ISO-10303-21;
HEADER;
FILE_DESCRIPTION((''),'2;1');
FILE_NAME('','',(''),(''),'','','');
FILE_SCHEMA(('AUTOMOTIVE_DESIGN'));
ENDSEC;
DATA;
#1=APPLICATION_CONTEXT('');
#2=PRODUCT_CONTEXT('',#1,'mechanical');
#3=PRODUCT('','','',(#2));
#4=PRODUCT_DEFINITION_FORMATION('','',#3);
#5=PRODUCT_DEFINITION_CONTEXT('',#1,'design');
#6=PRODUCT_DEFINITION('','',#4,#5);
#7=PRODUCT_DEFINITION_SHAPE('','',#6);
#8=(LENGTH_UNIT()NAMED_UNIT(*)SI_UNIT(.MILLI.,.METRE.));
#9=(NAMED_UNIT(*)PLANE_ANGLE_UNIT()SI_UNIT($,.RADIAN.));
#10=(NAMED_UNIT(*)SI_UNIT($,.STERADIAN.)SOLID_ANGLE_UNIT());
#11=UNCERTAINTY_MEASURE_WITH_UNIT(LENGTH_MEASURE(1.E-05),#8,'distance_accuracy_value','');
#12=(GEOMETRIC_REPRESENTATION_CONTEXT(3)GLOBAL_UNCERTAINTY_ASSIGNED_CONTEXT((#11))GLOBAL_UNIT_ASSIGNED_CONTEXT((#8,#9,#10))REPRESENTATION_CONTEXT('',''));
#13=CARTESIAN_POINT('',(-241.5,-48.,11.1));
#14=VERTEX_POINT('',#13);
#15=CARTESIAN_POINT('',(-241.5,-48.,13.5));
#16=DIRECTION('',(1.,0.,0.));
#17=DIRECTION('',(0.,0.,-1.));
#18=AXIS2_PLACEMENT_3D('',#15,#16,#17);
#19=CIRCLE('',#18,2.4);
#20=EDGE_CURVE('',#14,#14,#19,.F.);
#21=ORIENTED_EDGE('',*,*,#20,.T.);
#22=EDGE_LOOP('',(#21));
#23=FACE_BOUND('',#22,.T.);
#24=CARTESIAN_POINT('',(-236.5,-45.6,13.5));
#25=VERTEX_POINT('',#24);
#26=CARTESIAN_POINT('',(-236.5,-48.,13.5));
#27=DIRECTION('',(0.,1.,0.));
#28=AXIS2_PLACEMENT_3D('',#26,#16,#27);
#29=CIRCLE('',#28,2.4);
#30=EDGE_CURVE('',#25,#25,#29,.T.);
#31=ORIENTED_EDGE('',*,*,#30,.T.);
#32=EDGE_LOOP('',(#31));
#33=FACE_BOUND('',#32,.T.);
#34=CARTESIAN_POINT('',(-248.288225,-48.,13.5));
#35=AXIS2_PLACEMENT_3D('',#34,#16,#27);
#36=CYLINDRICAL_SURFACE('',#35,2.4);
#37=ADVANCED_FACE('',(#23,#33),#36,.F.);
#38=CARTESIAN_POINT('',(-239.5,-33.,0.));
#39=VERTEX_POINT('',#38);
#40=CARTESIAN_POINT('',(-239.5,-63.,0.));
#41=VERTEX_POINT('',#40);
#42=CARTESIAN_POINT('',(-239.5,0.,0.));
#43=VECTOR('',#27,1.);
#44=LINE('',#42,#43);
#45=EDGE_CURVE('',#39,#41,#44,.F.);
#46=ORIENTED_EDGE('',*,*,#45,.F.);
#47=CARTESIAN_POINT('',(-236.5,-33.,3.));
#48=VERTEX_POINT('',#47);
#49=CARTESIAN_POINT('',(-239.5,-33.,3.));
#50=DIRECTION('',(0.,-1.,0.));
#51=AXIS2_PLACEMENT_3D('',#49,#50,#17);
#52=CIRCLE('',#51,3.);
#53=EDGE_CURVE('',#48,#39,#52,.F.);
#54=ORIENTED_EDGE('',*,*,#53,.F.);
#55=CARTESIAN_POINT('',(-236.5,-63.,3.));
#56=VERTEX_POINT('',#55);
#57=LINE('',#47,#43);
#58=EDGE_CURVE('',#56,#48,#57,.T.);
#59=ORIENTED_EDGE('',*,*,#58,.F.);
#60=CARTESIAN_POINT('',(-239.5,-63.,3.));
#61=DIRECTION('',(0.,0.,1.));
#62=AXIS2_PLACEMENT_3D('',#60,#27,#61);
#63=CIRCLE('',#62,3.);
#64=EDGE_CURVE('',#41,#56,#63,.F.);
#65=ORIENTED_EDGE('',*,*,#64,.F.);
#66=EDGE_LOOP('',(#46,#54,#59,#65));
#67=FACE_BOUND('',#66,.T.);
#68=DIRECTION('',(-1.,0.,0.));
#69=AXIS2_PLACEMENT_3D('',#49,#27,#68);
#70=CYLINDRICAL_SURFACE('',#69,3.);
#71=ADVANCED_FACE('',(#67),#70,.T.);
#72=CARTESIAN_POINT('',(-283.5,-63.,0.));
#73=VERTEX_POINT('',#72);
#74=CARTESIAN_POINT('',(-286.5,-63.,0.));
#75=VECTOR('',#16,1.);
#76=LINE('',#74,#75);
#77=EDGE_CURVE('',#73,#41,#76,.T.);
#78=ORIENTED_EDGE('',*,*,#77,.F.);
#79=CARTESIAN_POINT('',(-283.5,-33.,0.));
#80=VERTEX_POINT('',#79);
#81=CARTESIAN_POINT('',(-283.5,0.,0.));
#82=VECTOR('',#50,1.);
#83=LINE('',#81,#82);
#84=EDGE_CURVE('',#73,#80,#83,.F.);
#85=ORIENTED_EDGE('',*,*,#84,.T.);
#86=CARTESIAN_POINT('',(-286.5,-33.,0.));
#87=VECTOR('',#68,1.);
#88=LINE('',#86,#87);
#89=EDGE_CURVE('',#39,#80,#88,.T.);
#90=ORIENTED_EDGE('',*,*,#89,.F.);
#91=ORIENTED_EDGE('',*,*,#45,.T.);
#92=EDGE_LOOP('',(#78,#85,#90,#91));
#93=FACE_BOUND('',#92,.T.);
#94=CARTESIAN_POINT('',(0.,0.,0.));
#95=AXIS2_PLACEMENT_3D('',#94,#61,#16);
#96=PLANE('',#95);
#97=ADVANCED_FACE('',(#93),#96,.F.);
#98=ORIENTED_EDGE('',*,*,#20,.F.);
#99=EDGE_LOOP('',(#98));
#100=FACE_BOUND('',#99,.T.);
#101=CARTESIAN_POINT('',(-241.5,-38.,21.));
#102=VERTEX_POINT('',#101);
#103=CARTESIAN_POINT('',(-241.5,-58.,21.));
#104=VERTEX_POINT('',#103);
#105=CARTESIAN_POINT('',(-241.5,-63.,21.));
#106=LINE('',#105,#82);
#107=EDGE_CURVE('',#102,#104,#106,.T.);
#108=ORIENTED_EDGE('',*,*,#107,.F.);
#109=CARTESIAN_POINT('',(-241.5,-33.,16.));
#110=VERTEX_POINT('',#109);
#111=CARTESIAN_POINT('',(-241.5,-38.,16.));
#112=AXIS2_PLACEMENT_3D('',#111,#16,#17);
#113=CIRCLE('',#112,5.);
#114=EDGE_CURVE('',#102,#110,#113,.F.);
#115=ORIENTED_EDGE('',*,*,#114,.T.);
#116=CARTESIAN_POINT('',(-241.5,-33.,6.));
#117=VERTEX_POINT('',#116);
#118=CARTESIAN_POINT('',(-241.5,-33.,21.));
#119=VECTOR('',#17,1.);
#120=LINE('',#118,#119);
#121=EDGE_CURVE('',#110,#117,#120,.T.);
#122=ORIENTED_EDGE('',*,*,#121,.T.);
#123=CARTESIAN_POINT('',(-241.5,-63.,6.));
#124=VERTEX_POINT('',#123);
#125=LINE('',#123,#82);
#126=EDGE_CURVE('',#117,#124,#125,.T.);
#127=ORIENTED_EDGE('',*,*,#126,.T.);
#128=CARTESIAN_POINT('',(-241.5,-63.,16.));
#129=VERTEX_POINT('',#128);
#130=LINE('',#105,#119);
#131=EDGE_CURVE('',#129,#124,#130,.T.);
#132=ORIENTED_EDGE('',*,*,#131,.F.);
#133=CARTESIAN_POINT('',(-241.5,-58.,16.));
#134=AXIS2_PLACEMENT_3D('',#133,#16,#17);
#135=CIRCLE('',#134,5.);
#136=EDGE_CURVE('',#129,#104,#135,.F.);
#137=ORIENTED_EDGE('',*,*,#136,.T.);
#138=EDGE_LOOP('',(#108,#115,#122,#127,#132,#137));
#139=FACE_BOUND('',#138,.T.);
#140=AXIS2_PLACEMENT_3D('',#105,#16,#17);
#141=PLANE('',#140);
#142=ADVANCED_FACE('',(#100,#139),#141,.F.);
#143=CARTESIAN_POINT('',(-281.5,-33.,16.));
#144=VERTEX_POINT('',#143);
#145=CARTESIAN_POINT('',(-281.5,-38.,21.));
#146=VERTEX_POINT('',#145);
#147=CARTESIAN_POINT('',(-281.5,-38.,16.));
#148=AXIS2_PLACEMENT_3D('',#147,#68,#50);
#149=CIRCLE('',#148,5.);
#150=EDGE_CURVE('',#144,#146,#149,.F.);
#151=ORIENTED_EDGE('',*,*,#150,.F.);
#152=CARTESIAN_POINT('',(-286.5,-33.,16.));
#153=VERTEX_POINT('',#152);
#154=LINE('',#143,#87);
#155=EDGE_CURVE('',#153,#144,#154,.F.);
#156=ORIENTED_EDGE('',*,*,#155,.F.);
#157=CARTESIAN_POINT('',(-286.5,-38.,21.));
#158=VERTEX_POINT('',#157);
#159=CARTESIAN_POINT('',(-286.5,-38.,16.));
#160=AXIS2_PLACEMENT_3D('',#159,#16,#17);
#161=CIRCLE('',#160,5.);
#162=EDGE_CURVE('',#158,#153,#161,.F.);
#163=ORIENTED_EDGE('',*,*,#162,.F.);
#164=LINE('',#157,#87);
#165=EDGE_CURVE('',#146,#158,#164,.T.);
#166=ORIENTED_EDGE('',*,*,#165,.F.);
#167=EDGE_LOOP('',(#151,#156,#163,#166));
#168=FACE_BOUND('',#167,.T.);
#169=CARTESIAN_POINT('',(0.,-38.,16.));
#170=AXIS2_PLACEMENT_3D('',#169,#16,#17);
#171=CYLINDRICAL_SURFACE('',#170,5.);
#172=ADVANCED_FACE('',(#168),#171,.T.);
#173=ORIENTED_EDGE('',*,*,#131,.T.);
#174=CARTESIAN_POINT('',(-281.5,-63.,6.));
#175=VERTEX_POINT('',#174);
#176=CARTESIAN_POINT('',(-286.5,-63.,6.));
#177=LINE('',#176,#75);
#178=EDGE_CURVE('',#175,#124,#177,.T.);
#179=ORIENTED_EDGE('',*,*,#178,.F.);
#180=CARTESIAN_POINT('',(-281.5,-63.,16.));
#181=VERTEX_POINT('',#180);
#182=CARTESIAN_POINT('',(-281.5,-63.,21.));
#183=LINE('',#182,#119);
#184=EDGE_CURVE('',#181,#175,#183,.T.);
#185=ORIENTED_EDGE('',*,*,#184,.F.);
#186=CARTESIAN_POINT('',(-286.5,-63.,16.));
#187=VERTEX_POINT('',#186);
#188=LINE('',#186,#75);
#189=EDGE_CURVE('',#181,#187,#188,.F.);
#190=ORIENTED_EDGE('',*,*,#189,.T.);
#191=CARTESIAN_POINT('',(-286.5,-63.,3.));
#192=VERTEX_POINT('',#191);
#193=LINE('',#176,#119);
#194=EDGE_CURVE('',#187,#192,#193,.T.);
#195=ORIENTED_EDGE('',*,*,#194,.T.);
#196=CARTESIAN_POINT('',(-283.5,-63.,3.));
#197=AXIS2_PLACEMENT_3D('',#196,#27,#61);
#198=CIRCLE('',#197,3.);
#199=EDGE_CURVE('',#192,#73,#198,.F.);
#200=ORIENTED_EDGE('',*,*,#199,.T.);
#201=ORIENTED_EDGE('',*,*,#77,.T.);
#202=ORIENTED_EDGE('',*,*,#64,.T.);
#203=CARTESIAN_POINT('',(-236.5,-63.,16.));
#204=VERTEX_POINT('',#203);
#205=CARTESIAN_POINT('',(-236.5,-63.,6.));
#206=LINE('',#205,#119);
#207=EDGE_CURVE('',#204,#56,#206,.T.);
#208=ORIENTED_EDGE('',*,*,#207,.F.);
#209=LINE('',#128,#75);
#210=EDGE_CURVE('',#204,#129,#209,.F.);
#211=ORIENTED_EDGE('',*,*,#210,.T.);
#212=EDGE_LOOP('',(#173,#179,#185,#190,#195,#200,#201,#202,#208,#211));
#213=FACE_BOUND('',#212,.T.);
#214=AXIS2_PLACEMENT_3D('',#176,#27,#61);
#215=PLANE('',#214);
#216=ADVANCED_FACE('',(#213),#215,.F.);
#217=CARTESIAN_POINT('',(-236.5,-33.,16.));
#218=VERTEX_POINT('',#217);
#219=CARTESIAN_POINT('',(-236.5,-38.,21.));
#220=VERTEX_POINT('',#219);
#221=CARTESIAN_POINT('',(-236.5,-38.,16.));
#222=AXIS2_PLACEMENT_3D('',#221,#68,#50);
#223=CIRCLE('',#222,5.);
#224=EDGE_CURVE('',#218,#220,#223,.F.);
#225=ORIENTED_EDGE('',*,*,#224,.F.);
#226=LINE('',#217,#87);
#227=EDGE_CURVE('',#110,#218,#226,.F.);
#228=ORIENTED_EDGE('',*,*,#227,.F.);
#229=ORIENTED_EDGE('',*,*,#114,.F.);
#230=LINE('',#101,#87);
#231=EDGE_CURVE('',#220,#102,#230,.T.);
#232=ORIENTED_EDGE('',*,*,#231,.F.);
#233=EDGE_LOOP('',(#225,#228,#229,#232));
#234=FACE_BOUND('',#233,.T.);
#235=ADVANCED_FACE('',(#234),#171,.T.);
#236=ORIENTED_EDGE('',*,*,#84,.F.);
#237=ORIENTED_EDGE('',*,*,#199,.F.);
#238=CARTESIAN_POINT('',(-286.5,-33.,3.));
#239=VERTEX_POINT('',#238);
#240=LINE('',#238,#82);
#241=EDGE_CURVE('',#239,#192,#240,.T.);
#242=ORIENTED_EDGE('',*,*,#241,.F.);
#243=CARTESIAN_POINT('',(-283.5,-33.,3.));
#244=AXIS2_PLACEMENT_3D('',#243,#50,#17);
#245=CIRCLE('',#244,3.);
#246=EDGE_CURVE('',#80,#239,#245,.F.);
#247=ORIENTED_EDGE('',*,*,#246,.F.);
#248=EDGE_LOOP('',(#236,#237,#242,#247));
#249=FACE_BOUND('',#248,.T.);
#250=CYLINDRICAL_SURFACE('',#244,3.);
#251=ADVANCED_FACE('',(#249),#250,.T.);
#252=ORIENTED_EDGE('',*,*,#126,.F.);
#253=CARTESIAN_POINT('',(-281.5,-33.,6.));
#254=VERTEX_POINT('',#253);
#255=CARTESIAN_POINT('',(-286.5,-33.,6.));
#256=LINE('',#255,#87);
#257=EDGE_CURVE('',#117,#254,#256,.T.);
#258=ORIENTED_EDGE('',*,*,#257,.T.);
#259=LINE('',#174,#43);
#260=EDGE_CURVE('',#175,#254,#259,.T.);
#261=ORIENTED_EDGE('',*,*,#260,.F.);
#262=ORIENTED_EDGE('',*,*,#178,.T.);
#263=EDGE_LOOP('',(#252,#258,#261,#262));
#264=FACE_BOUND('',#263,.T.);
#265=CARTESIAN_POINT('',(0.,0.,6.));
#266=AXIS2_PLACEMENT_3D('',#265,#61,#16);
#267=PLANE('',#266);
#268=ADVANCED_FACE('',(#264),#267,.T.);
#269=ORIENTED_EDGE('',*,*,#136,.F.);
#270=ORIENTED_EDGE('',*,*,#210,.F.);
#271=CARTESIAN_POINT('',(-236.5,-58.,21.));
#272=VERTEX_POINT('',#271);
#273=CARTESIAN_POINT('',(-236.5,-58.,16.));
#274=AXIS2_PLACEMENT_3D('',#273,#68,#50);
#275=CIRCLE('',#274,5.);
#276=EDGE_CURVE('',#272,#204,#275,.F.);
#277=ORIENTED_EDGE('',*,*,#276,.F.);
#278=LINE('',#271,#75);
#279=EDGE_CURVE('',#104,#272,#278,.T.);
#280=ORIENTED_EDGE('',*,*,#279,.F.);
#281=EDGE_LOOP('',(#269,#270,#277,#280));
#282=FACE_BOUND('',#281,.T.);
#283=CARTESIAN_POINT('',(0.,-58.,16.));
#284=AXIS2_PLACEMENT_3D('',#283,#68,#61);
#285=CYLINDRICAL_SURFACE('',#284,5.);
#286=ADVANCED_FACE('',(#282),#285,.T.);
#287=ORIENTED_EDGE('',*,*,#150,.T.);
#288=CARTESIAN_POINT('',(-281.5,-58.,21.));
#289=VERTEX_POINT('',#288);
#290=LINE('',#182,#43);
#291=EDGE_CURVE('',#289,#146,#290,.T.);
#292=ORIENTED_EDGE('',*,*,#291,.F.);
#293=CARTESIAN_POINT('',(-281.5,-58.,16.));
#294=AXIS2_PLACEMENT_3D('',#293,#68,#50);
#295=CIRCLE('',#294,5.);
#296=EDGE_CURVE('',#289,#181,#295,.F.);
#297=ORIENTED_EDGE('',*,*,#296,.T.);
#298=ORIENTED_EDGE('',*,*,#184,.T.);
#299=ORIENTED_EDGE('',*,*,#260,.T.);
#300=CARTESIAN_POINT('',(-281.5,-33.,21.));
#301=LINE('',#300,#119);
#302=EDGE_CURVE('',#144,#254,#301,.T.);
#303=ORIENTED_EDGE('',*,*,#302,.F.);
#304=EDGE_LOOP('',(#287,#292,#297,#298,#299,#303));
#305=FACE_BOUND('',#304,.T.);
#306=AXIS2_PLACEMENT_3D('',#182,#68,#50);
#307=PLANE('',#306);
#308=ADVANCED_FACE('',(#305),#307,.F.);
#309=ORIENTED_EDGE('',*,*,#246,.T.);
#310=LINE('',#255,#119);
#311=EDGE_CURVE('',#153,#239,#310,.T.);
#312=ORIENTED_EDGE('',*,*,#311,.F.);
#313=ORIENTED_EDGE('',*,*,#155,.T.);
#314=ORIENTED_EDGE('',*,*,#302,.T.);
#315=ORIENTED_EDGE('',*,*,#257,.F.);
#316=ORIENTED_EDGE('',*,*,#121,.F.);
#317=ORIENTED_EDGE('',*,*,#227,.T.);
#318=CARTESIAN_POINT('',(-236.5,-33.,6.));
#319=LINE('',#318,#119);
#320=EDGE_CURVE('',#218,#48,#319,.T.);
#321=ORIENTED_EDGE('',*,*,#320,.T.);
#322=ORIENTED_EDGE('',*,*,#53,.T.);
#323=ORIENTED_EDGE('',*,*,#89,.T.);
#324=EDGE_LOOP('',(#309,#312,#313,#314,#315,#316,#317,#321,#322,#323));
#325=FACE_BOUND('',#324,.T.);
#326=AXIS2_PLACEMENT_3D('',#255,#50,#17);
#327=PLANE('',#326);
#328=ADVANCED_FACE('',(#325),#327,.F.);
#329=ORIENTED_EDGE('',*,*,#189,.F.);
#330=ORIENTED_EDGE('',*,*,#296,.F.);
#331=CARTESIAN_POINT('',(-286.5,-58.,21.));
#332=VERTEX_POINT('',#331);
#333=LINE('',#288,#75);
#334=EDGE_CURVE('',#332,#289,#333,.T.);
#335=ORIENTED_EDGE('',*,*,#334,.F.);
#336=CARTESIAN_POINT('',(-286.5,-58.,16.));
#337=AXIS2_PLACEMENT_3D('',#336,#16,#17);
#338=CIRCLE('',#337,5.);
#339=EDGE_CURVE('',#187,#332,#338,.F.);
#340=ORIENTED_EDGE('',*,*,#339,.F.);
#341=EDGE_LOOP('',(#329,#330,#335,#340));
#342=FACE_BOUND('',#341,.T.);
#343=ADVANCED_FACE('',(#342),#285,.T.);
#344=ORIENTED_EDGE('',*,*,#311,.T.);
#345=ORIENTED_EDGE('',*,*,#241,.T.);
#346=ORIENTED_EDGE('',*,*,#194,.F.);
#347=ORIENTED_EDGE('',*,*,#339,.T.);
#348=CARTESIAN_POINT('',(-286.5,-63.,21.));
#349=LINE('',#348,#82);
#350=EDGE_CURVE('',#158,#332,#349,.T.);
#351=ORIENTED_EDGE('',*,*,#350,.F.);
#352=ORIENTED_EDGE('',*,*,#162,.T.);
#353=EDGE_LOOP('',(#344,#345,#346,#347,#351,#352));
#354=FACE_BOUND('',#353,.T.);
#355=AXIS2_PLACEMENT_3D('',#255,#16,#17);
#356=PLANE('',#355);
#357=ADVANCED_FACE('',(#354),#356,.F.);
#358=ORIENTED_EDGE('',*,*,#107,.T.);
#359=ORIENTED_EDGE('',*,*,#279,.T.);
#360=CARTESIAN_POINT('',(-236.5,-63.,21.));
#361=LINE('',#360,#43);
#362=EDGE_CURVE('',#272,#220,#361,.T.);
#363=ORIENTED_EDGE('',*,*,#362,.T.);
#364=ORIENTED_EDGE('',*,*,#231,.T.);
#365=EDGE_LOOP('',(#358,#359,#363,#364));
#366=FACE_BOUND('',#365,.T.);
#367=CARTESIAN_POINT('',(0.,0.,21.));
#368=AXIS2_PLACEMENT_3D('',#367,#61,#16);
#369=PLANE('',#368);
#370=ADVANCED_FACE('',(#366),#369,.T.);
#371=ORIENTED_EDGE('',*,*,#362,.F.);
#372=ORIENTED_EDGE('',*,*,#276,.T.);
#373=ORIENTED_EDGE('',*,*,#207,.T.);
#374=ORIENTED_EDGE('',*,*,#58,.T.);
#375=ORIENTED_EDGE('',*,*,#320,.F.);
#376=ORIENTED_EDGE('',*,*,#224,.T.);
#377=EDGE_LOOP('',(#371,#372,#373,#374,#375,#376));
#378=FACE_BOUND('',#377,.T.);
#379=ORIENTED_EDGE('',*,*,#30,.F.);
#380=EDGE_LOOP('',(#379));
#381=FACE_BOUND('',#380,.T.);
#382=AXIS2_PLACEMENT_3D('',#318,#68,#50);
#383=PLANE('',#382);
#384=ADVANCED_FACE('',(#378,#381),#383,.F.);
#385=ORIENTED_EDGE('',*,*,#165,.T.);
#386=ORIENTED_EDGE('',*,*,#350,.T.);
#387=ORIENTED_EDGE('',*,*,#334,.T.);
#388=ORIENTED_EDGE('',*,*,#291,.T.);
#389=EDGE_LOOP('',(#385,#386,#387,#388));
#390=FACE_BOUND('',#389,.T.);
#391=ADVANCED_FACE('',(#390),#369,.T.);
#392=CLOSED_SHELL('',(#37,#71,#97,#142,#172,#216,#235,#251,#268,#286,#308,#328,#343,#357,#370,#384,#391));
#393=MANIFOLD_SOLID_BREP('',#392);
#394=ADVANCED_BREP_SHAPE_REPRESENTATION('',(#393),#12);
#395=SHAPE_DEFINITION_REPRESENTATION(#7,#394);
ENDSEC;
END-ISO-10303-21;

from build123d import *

# Parameters (mm, degrees)
SKETCH1_W           = 50
SKETCH1_H           = 30
BOSS_EXTRUDE1_DEPTH = 6
SKETCH3_W           = 5
SKETCH3_H           = 30
BOSS_EXTRUDE2_DEPTH = 15
SKETCH4_R           = 2.4
CUT_EXTRUDE1_DEPTH  = 5
FILLET2_R           = 3
FILLET3_R           = 5


with BuildPart() as part:
    # Sketch1 → Boss-Extrude1 (new body)
    with BuildSketch(Plane.XY):
        with Locations((-261.5, -48)):
            Rectangle(SKETCH1_W, SKETCH1_H)
    extrude(amount=BOSS_EXTRUDE1_DEPTH)

    # Sketch3 → Boss-Extrude2 (add)
    with BuildSketch(Plane.XY.offset(6)):
        with Locations((-239, -48)):
            Rectangle(SKETCH3_W, SKETCH3_H)
        with Locations((-284, -48)):
            Rectangle(SKETCH3_W, SKETCH3_H)
    extrude(amount=BOSS_EXTRUDE2_DEPTH)

    # Sketch4 → Cut-Extrude1 (cut)
    with BuildSketch(Plane(origin=(-236.5, 0, 0), x_dir=(0, 0, -1), z_dir=(1, 0, 0))):
        with Locations((-13.5, -48)):
            Circle(SKETCH4_R)
    extrude(amount=-CUT_EXTRUDE1_DEPTH, mode=Mode.SUBTRACT)

    # Fillet2
    fillet2_edges = [part.edges().sort_by_distance(p)[0] for p in [
        (-236.5, -48, 0),
        (-286.5, -48, 0),
    ]]
    fillet(fillet2_edges, radius=FILLET2_R)

    # Fillet3
    fillet3_edges = [part.edges().sort_by_distance(p)[0] for p in [
        (-239, -33, 21),
        (-239, -63, 21),
        (-284, -63, 21),
        (-284, -33, 21),
    ]]
    fillet(fillet3_edges, radius=FILLET3_R)


solid = part.part
